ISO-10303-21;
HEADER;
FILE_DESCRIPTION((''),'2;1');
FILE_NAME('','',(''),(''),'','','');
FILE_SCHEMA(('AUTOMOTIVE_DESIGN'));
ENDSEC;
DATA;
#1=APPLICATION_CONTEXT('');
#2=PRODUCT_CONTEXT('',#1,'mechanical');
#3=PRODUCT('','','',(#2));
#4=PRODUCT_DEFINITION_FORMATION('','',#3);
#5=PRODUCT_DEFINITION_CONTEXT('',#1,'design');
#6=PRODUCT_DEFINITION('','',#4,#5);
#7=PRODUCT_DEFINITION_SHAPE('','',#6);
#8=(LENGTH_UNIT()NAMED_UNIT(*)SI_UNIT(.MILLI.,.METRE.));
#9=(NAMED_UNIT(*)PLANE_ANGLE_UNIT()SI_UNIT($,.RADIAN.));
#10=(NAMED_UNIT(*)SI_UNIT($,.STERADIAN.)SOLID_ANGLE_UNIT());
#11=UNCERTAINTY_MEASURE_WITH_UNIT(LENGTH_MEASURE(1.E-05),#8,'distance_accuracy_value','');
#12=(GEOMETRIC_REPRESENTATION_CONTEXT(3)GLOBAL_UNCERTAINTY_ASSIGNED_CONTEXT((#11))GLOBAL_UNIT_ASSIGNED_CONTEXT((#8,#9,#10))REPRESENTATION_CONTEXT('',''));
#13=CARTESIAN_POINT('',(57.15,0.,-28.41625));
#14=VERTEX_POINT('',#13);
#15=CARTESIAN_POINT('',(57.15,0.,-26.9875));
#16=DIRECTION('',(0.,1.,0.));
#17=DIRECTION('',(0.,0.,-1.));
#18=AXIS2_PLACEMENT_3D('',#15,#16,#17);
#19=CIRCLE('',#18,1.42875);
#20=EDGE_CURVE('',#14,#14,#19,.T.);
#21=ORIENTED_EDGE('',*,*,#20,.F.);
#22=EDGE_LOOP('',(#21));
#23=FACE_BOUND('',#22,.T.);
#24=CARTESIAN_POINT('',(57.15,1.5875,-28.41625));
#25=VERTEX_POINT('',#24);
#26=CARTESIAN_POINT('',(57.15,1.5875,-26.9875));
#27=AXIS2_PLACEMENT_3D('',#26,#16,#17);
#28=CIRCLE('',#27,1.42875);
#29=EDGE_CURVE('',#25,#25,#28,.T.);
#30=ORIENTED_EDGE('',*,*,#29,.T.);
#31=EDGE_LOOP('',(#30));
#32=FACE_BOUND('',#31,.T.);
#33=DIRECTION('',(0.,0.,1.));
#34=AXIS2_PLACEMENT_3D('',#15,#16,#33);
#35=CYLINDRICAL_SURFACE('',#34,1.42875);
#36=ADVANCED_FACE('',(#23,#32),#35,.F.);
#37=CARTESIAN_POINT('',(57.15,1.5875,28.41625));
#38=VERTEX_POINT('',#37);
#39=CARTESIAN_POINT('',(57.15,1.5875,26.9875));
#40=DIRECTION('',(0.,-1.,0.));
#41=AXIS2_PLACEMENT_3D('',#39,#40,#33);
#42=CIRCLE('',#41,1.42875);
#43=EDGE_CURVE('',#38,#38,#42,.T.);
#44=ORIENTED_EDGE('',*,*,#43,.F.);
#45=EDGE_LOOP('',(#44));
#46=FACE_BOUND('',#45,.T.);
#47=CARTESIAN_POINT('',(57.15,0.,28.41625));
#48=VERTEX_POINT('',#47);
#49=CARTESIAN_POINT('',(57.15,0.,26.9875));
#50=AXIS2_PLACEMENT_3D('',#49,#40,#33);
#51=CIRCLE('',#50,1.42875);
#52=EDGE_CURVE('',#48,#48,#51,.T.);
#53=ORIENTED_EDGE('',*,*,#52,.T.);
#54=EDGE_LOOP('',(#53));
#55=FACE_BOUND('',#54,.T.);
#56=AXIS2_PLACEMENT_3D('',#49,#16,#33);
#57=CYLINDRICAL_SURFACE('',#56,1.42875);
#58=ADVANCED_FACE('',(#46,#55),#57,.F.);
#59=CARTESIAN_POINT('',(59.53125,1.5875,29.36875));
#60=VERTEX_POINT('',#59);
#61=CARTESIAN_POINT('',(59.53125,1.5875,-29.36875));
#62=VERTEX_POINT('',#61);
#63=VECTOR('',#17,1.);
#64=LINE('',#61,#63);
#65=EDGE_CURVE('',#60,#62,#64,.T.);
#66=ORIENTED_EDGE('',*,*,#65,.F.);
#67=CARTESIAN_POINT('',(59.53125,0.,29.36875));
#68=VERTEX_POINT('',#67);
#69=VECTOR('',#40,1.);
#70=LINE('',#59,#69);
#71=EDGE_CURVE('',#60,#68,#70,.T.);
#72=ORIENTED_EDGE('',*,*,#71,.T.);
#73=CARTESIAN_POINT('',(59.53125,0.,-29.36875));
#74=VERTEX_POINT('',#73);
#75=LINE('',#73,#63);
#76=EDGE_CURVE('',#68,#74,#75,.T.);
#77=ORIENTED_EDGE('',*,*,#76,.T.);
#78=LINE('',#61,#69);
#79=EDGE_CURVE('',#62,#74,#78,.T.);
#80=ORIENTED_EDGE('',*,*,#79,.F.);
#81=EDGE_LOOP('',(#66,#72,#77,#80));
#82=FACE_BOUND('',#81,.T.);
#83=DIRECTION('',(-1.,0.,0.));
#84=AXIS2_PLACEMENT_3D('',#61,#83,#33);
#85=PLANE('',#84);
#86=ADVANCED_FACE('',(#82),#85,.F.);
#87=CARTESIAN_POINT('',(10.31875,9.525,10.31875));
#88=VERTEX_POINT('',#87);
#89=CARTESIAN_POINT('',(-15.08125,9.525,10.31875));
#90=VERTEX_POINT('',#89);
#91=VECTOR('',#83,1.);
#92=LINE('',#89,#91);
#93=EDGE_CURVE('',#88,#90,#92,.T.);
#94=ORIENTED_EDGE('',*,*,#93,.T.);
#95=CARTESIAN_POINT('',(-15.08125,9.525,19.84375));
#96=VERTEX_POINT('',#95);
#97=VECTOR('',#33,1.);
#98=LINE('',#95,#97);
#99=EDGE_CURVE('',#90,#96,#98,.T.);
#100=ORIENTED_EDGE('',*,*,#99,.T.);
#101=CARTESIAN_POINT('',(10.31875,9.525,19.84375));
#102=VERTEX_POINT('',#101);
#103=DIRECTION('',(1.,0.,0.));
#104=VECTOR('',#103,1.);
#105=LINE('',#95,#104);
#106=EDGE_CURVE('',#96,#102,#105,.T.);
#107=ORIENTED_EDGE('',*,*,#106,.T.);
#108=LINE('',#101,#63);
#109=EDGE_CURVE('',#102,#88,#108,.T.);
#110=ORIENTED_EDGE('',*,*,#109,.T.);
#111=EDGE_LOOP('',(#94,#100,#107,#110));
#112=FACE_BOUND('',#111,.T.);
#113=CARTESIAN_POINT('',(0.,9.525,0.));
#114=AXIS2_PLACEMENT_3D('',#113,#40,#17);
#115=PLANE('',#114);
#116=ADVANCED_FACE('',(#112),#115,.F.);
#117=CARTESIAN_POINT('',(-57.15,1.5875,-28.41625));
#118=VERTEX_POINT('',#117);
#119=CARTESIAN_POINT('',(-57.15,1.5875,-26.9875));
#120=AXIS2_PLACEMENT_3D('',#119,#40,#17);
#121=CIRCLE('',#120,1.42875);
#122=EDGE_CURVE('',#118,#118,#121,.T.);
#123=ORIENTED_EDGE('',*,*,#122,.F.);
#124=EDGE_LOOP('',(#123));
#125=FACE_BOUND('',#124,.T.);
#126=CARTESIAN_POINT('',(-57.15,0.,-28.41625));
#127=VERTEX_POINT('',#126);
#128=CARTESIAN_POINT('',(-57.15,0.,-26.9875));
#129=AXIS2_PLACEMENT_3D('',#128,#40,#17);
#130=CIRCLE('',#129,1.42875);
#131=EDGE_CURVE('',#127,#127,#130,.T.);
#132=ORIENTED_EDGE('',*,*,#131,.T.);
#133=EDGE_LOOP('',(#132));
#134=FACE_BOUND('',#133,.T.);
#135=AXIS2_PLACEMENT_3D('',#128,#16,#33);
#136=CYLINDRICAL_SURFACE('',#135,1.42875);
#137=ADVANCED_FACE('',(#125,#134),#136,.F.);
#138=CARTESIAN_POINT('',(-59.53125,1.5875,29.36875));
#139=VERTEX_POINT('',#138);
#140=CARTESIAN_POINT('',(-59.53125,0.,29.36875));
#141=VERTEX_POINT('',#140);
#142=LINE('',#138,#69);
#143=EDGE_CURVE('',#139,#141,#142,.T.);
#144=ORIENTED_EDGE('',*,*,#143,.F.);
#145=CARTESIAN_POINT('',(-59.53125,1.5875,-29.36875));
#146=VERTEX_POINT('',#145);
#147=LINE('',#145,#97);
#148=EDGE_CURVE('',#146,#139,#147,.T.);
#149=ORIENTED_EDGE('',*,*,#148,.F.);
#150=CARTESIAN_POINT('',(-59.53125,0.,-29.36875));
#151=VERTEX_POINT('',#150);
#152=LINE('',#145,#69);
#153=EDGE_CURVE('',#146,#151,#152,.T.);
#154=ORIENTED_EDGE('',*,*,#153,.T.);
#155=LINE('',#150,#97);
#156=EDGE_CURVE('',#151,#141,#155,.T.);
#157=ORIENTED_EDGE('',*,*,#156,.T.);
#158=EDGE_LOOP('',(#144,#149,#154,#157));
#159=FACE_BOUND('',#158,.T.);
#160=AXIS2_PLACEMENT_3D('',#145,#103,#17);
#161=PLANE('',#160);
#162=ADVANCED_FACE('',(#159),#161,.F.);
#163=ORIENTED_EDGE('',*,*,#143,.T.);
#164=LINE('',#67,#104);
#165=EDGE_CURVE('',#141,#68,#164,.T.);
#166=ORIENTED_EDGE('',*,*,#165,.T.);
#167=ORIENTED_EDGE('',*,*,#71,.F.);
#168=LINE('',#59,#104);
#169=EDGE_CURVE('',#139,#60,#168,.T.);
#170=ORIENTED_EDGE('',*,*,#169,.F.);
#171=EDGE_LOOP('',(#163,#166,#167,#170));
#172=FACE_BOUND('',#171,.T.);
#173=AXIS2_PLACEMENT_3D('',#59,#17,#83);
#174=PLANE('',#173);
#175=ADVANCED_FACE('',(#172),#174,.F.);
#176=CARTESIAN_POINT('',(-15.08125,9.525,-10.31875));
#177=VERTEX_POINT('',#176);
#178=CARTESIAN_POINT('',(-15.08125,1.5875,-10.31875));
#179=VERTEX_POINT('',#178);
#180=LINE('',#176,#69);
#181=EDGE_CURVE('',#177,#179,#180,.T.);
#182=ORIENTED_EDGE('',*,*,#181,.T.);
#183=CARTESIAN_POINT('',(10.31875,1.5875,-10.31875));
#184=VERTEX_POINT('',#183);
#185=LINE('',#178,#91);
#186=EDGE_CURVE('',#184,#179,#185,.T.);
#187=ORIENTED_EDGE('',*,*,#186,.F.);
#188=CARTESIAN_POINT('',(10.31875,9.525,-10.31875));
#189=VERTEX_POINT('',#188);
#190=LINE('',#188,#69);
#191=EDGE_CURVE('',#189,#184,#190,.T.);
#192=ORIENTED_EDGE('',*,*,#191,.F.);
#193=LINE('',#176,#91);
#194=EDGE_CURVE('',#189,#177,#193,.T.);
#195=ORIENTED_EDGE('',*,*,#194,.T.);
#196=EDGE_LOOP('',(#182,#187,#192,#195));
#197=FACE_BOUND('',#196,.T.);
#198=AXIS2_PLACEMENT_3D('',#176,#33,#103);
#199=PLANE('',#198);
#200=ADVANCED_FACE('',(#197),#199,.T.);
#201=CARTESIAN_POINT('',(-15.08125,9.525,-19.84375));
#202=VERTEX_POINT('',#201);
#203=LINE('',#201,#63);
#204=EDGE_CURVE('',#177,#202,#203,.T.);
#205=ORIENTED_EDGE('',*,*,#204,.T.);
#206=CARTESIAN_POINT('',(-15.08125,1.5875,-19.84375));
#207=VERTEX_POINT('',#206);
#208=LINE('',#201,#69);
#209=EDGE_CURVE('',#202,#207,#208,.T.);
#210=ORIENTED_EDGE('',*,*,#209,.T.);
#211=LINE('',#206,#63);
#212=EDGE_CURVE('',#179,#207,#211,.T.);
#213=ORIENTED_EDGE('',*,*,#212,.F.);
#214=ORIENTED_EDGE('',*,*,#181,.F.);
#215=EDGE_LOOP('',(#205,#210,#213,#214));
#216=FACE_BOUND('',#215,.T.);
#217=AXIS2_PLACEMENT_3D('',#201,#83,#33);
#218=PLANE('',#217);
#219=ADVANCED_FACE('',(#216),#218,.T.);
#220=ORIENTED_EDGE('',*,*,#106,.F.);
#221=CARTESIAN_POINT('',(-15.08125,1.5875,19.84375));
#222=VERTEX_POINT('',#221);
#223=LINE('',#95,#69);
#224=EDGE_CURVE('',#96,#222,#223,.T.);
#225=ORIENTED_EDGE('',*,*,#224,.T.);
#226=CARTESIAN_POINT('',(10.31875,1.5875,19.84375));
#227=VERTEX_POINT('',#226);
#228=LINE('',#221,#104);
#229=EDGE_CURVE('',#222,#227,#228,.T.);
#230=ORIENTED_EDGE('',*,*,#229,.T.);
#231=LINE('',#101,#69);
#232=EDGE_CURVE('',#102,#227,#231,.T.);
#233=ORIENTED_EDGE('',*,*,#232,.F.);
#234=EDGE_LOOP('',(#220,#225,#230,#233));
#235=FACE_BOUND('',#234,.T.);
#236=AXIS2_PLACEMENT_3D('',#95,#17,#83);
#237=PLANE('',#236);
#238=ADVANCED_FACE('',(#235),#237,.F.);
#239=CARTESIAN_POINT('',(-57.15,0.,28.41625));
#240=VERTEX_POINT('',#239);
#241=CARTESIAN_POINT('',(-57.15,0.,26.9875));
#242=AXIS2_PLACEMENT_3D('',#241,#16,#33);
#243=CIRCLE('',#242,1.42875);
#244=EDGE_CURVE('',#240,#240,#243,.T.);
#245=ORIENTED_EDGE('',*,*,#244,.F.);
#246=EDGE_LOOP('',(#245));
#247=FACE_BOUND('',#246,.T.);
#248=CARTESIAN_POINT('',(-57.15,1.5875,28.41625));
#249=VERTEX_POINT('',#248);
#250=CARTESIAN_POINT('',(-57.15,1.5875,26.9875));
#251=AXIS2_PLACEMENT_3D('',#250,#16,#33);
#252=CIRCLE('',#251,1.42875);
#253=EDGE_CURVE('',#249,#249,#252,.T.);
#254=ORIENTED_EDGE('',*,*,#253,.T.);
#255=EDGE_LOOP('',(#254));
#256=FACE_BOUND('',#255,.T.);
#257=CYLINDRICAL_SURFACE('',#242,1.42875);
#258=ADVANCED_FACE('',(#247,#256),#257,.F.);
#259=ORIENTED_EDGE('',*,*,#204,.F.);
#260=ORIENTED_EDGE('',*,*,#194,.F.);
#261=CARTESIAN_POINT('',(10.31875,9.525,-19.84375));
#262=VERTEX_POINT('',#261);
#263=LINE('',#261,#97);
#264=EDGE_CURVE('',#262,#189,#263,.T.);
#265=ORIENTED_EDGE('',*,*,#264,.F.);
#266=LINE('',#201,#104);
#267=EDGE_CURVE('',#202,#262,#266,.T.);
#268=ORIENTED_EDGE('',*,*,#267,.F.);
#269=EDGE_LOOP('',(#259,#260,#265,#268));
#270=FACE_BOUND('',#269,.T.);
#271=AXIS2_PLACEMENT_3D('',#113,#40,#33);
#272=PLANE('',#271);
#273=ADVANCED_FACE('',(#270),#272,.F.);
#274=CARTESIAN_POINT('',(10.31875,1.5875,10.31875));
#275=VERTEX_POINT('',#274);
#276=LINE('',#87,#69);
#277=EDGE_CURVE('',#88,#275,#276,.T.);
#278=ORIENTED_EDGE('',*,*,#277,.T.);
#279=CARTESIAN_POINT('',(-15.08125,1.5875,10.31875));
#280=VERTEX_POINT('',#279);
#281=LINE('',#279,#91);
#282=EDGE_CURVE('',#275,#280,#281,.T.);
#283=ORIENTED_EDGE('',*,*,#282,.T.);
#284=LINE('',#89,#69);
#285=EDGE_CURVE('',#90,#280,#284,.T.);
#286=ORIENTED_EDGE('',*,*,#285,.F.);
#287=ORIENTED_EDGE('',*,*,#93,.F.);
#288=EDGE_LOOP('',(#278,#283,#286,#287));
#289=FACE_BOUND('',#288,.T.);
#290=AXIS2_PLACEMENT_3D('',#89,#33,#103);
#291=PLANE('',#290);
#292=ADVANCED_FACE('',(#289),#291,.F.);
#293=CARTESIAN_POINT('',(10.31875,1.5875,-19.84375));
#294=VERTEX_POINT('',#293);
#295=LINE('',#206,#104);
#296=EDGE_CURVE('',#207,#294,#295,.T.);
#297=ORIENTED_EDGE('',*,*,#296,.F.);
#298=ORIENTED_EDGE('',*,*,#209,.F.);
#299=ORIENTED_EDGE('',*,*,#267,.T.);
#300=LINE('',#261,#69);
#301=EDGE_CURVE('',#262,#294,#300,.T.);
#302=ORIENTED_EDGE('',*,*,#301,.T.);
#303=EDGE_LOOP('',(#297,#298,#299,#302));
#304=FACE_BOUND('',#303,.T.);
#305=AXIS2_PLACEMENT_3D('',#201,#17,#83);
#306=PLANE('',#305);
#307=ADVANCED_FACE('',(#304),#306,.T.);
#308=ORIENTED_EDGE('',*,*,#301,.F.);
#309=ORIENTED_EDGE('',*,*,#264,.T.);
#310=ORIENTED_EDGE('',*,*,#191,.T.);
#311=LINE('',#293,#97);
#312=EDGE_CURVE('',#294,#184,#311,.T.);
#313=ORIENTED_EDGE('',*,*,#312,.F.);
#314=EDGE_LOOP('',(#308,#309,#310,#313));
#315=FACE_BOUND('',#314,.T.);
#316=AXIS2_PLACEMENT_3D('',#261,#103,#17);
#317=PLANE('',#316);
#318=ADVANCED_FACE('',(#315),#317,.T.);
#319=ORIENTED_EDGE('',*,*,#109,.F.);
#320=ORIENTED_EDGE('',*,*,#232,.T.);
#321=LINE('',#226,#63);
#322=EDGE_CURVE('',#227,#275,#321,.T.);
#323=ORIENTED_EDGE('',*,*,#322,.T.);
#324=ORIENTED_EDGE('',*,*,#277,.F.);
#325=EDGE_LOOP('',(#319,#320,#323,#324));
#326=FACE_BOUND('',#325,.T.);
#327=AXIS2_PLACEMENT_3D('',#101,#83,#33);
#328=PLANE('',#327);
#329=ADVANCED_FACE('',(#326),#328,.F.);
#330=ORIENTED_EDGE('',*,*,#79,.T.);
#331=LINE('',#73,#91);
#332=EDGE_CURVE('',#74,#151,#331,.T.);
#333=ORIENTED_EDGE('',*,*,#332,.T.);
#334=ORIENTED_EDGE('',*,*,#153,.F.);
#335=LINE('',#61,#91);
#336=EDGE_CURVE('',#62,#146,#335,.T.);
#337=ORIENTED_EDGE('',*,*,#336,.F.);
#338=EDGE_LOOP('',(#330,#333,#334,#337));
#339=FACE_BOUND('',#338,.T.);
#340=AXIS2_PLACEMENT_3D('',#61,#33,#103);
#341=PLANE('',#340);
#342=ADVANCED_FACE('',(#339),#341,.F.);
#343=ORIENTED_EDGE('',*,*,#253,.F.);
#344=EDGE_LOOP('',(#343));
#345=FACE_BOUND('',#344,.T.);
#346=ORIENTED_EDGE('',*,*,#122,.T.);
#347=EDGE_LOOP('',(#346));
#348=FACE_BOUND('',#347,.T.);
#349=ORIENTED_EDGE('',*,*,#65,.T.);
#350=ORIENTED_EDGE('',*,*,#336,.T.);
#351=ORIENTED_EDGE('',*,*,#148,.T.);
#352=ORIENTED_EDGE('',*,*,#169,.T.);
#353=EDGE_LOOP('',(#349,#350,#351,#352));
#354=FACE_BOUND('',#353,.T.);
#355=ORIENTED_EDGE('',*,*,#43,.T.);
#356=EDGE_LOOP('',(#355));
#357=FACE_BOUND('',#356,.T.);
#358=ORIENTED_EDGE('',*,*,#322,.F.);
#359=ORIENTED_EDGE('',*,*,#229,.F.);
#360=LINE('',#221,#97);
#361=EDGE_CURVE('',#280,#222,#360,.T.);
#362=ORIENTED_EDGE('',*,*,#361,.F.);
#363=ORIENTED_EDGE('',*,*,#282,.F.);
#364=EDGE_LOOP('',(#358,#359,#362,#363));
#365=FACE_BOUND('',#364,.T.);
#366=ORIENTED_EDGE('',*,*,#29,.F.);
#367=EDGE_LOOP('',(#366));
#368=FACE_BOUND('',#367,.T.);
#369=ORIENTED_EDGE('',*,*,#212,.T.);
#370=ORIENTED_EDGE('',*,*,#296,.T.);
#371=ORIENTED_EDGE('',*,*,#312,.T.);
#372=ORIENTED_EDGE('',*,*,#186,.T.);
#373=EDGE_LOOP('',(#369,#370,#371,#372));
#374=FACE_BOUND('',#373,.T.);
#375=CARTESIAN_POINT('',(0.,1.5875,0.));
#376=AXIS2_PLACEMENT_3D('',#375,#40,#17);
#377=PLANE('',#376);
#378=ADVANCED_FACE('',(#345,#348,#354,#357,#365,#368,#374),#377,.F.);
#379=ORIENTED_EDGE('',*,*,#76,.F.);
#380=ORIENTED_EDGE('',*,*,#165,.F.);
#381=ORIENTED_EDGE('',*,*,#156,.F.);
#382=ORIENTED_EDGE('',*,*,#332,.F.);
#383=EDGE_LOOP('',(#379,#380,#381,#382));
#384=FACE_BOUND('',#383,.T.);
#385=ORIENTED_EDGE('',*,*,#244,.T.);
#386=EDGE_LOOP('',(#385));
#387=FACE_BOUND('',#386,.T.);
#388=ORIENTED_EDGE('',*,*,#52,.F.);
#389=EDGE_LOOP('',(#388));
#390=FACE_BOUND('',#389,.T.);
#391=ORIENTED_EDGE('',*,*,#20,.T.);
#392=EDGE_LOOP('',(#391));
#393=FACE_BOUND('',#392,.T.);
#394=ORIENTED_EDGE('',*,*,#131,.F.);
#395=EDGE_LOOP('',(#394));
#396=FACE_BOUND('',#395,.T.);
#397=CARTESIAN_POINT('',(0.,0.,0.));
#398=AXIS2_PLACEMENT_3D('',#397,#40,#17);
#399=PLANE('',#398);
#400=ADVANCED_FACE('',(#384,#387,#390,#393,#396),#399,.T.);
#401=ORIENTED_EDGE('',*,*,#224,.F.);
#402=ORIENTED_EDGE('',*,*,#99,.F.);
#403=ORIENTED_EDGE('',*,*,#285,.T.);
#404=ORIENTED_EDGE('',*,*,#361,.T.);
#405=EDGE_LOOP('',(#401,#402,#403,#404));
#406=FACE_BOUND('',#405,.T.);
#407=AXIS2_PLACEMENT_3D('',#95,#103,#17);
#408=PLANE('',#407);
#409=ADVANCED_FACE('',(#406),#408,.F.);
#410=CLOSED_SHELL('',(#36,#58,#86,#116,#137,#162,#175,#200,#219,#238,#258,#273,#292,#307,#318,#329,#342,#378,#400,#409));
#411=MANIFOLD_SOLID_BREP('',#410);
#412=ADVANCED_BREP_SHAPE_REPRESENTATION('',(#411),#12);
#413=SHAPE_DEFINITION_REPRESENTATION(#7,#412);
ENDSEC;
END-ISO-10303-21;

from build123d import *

# Parameters (mm, degrees)
SKETCH1_W                                  = 119.0625
SKETCH1_H                                  = 58.7375
BOSS_EXTRUDE1_DEPTH                        = 1.5875
SKETCH2_W                                  = 25.4
SKETCH2_H                                  = 9.525
BOSS_EXTRUDE2_DEPTH                        = 7.9375
SKETCH3_R                                  = 1.42875
CUT_EXTRUDE1_DEPTH                         = 67.854297613
MIRROR2_AT_THE_SECOND_PLANE_COPY_1_SKETC_R = 1.42875
MIRROR2_AT_THE_SECOND_PLANE_COPY_1_DEPTH   = 67.854297613


with BuildPart() as part:
    # Sketch1 → Boss-Extrude1 (new body)
    with BuildSketch(Plane(origin=(0, 0, 0), x_dir=(1, 0, 0), z_dir=(0, 1, 0))):
        Rectangle(SKETCH1_W, SKETCH1_H)
    extrude(amount=BOSS_EXTRUDE1_DEPTH)

    # Sketch2 → Boss-Extrude2 (add)
    with BuildSketch(Plane(origin=(0, 1.5875, 0), x_dir=(1, 0, 0), z_dir=(0, 1, 0))):
        with Locations((-2.38125, -15.08125)):
            Rectangle(SKETCH2_W, SKETCH2_H)
    boss_extrude2 = extrude(amount=BOSS_EXTRUDE2_DEPTH)

    # Mirror1: Boss-Extrude2 across plane
    add(boss_extrude2.mirror(Plane.XY))

    # Sketch3 → Cut-Extrude1 (cut, through all)
    with BuildSketch(Plane(origin=(0, 1.5875, 0), x_dir=(1, 0, 0), z_dir=(0, 1, 0))):
        with Locations(Location((-57.15, -26.9875, 0), (0, 0, 270))):
            Circle(SKETCH3_R)
    cut_extrude1 = extrude(amount=-CUT_EXTRUDE1_DEPTH, mode=Mode.SUBTRACT)

    # Mirror2: Cut-Extrude1 across plane
    add(cut_extrude1.mirror(Plane(origin=(0, 0, 0), x_dir=(0, 0, 1), z_dir=(1, 0, 0))), mode=Mode.SUBTRACT)

    # Mirror2 at the second plane: Cut-Extrude1 across plane
    add(cut_extrude1.mirror(Plane.XY), mode=Mode.SUBTRACT)

    # Mirror2 at the second plane copy 1 sketc → Mirror2 at the second plane copy 1 (cut, through all)
    with BuildSketch(Plane(origin=(0, 1.5875, 0), x_dir=(-1, 0, 0), z_dir=(0, 1, 0))):
        with Locations(Location((-57.15, -26.9875, 0), (0, 0, 270))):
            Circle(MIRROR2_AT_THE_SECOND_PLANE_COPY_1_SKETC_R)
    extrude(amount=-MIRROR2_AT_THE_SECOND_PLANE_COPY_1_DEPTH, mode=Mode.SUBTRACT)


solid = part.part
